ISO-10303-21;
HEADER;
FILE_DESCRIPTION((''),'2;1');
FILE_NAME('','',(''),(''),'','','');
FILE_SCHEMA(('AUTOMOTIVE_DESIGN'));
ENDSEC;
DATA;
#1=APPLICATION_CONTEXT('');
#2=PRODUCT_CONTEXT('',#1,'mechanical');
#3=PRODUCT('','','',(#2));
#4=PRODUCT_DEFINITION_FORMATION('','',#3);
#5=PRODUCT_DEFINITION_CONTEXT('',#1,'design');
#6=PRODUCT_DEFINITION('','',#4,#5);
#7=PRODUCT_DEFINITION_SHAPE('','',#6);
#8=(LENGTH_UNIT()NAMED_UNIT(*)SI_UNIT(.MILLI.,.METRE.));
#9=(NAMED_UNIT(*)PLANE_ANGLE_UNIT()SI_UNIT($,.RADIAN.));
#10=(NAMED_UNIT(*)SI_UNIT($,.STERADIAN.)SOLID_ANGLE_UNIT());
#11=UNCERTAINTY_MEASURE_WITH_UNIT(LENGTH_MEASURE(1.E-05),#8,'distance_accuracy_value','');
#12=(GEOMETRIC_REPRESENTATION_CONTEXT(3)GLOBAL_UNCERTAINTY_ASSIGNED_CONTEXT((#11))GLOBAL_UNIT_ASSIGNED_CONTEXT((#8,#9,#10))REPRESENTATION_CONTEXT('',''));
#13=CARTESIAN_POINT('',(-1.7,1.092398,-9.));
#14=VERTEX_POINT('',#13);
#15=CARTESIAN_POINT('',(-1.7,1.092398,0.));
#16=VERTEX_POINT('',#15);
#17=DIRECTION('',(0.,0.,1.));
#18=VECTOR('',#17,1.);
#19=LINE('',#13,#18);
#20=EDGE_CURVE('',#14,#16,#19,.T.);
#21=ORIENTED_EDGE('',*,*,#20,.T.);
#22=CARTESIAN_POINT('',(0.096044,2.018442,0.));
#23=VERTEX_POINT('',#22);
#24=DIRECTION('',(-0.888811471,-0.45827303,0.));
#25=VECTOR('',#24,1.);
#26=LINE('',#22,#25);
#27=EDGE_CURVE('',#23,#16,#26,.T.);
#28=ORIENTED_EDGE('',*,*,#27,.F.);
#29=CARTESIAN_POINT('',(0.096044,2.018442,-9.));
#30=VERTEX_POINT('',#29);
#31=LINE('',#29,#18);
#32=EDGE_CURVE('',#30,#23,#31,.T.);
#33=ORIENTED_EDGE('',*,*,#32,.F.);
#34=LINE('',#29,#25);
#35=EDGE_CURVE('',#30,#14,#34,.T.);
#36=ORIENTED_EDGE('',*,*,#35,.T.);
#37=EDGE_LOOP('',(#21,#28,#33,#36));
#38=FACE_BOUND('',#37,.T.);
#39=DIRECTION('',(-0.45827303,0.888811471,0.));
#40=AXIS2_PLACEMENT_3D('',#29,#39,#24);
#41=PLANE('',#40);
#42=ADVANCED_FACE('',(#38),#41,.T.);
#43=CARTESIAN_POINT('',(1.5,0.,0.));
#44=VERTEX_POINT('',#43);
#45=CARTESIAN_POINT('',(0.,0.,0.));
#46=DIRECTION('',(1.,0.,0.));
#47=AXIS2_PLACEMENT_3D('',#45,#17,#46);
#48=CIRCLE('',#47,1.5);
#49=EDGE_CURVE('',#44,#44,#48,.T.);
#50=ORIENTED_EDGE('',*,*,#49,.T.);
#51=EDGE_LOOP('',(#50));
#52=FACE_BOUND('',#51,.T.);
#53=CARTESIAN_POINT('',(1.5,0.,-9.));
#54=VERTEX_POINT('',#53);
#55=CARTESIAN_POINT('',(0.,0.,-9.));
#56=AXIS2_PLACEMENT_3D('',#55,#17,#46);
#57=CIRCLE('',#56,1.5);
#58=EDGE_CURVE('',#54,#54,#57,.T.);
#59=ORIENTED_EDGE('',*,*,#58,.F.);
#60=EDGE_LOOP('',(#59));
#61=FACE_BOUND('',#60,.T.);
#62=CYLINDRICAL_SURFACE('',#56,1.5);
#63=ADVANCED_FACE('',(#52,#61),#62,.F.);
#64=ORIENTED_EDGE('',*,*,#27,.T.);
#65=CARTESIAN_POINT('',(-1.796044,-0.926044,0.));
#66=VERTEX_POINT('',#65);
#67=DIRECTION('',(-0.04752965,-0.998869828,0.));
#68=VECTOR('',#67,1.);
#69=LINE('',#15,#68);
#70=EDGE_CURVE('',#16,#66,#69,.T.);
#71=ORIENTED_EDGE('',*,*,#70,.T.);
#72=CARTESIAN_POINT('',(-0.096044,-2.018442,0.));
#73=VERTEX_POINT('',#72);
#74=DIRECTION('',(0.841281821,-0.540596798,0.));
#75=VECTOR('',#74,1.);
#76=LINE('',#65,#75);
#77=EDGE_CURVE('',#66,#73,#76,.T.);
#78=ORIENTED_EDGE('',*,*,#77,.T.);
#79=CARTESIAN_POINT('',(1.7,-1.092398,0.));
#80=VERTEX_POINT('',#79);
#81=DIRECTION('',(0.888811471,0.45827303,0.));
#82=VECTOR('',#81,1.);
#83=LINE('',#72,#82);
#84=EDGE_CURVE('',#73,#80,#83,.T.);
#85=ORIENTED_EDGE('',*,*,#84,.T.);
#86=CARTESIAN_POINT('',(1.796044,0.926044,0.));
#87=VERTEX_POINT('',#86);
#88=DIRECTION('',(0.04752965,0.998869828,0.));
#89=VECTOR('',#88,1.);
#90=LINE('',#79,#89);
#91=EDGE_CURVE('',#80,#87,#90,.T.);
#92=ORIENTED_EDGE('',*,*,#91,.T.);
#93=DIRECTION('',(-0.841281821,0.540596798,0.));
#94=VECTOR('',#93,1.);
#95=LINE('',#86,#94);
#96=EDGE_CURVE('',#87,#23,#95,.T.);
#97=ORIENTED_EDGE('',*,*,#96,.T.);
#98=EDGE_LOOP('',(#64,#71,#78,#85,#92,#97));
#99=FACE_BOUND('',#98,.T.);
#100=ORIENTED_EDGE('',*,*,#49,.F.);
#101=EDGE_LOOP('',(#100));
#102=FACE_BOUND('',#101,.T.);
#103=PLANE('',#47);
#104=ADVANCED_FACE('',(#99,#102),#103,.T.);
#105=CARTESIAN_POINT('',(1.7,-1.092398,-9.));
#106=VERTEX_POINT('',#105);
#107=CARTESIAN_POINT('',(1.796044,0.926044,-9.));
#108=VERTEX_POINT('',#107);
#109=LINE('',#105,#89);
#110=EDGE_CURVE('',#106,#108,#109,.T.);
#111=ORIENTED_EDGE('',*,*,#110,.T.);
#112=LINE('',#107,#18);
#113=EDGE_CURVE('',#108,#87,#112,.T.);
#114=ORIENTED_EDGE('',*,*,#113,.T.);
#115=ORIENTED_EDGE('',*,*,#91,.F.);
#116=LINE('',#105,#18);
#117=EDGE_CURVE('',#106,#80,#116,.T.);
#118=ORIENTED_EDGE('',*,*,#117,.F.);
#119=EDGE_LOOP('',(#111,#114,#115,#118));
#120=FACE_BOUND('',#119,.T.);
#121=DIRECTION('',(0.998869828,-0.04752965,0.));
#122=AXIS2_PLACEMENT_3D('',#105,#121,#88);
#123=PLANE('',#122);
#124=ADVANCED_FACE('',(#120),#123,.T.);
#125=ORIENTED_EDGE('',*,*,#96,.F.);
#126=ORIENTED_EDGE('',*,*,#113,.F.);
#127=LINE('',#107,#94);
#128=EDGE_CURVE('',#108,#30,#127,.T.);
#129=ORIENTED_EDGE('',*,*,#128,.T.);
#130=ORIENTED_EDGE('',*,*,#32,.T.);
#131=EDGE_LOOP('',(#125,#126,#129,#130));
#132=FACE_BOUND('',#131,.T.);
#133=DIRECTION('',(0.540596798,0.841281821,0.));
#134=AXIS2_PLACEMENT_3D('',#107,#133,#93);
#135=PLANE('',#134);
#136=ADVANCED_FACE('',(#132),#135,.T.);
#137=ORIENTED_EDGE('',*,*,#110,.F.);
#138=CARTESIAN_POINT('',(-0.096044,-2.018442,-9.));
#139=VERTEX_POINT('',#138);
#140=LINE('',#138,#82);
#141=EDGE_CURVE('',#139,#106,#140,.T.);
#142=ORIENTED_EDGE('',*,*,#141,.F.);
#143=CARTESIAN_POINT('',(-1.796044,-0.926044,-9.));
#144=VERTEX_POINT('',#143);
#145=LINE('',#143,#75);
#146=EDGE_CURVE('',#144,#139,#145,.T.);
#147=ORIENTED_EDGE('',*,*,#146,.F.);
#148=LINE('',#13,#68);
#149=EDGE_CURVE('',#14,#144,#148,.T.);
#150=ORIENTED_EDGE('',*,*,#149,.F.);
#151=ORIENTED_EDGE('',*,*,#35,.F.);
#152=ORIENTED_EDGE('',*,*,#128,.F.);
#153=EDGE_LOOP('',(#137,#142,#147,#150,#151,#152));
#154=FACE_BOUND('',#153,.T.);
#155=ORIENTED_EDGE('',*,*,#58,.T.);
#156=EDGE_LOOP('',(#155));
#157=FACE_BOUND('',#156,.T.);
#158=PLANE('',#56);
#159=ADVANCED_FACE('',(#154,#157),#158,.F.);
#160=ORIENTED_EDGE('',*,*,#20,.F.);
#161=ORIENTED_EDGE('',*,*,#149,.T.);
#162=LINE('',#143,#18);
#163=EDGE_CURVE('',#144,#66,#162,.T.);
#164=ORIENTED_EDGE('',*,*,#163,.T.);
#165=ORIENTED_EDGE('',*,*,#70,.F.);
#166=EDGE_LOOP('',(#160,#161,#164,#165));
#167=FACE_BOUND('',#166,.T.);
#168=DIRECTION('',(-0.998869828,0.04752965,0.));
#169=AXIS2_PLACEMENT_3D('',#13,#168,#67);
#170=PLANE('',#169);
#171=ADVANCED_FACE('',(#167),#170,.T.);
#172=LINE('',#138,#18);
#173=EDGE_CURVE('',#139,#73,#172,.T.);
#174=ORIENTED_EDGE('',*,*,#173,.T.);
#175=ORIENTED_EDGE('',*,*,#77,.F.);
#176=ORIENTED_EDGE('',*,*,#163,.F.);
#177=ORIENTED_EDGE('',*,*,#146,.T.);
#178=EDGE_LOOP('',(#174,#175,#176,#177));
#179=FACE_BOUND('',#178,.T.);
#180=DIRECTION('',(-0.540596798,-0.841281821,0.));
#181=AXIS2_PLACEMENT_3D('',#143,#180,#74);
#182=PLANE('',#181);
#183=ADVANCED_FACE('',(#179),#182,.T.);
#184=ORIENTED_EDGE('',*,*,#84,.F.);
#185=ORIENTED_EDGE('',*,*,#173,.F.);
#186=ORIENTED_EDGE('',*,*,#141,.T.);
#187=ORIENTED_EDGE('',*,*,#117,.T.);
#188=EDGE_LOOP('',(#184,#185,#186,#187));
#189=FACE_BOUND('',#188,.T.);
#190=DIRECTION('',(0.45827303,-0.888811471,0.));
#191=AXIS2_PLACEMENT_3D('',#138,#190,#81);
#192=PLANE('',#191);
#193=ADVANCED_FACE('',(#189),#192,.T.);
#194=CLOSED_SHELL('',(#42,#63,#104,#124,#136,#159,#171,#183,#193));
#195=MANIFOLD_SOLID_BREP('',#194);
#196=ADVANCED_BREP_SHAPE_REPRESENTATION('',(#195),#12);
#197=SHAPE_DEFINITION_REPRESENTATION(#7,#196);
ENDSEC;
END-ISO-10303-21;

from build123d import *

# Parameters (mm, degrees)
EXTRUDE_1_DEPTH     = 9
SKETCH_2_R          = 1.5
CUT_EXTRUDE_1_DEPTH = 10


with BuildPart() as part:
    # 草图1 → 凸台-拉伸1 (new body)
    with BuildSketch(Plane.XY):
        Polygon((-0.096044396, -2.018442173), (1.7, -1.092397974), (1.796044396, 0.926044199), (0.096044396, 2.018442173), (-1.7, 1.092397974), (-1.796044396, -0.926044199), align=None)
    extrude(amount=-EXTRUDE_1_DEPTH)

    # 草图2 → 切除-拉伸1 (cut, through all)
    with BuildSketch(Plane.XY):
        Circle(SKETCH_2_R)
    extrude(amount=-CUT_EXTRUDE_1_DEPTH, mode=Mode.SUBTRACT)


solid = part.part
